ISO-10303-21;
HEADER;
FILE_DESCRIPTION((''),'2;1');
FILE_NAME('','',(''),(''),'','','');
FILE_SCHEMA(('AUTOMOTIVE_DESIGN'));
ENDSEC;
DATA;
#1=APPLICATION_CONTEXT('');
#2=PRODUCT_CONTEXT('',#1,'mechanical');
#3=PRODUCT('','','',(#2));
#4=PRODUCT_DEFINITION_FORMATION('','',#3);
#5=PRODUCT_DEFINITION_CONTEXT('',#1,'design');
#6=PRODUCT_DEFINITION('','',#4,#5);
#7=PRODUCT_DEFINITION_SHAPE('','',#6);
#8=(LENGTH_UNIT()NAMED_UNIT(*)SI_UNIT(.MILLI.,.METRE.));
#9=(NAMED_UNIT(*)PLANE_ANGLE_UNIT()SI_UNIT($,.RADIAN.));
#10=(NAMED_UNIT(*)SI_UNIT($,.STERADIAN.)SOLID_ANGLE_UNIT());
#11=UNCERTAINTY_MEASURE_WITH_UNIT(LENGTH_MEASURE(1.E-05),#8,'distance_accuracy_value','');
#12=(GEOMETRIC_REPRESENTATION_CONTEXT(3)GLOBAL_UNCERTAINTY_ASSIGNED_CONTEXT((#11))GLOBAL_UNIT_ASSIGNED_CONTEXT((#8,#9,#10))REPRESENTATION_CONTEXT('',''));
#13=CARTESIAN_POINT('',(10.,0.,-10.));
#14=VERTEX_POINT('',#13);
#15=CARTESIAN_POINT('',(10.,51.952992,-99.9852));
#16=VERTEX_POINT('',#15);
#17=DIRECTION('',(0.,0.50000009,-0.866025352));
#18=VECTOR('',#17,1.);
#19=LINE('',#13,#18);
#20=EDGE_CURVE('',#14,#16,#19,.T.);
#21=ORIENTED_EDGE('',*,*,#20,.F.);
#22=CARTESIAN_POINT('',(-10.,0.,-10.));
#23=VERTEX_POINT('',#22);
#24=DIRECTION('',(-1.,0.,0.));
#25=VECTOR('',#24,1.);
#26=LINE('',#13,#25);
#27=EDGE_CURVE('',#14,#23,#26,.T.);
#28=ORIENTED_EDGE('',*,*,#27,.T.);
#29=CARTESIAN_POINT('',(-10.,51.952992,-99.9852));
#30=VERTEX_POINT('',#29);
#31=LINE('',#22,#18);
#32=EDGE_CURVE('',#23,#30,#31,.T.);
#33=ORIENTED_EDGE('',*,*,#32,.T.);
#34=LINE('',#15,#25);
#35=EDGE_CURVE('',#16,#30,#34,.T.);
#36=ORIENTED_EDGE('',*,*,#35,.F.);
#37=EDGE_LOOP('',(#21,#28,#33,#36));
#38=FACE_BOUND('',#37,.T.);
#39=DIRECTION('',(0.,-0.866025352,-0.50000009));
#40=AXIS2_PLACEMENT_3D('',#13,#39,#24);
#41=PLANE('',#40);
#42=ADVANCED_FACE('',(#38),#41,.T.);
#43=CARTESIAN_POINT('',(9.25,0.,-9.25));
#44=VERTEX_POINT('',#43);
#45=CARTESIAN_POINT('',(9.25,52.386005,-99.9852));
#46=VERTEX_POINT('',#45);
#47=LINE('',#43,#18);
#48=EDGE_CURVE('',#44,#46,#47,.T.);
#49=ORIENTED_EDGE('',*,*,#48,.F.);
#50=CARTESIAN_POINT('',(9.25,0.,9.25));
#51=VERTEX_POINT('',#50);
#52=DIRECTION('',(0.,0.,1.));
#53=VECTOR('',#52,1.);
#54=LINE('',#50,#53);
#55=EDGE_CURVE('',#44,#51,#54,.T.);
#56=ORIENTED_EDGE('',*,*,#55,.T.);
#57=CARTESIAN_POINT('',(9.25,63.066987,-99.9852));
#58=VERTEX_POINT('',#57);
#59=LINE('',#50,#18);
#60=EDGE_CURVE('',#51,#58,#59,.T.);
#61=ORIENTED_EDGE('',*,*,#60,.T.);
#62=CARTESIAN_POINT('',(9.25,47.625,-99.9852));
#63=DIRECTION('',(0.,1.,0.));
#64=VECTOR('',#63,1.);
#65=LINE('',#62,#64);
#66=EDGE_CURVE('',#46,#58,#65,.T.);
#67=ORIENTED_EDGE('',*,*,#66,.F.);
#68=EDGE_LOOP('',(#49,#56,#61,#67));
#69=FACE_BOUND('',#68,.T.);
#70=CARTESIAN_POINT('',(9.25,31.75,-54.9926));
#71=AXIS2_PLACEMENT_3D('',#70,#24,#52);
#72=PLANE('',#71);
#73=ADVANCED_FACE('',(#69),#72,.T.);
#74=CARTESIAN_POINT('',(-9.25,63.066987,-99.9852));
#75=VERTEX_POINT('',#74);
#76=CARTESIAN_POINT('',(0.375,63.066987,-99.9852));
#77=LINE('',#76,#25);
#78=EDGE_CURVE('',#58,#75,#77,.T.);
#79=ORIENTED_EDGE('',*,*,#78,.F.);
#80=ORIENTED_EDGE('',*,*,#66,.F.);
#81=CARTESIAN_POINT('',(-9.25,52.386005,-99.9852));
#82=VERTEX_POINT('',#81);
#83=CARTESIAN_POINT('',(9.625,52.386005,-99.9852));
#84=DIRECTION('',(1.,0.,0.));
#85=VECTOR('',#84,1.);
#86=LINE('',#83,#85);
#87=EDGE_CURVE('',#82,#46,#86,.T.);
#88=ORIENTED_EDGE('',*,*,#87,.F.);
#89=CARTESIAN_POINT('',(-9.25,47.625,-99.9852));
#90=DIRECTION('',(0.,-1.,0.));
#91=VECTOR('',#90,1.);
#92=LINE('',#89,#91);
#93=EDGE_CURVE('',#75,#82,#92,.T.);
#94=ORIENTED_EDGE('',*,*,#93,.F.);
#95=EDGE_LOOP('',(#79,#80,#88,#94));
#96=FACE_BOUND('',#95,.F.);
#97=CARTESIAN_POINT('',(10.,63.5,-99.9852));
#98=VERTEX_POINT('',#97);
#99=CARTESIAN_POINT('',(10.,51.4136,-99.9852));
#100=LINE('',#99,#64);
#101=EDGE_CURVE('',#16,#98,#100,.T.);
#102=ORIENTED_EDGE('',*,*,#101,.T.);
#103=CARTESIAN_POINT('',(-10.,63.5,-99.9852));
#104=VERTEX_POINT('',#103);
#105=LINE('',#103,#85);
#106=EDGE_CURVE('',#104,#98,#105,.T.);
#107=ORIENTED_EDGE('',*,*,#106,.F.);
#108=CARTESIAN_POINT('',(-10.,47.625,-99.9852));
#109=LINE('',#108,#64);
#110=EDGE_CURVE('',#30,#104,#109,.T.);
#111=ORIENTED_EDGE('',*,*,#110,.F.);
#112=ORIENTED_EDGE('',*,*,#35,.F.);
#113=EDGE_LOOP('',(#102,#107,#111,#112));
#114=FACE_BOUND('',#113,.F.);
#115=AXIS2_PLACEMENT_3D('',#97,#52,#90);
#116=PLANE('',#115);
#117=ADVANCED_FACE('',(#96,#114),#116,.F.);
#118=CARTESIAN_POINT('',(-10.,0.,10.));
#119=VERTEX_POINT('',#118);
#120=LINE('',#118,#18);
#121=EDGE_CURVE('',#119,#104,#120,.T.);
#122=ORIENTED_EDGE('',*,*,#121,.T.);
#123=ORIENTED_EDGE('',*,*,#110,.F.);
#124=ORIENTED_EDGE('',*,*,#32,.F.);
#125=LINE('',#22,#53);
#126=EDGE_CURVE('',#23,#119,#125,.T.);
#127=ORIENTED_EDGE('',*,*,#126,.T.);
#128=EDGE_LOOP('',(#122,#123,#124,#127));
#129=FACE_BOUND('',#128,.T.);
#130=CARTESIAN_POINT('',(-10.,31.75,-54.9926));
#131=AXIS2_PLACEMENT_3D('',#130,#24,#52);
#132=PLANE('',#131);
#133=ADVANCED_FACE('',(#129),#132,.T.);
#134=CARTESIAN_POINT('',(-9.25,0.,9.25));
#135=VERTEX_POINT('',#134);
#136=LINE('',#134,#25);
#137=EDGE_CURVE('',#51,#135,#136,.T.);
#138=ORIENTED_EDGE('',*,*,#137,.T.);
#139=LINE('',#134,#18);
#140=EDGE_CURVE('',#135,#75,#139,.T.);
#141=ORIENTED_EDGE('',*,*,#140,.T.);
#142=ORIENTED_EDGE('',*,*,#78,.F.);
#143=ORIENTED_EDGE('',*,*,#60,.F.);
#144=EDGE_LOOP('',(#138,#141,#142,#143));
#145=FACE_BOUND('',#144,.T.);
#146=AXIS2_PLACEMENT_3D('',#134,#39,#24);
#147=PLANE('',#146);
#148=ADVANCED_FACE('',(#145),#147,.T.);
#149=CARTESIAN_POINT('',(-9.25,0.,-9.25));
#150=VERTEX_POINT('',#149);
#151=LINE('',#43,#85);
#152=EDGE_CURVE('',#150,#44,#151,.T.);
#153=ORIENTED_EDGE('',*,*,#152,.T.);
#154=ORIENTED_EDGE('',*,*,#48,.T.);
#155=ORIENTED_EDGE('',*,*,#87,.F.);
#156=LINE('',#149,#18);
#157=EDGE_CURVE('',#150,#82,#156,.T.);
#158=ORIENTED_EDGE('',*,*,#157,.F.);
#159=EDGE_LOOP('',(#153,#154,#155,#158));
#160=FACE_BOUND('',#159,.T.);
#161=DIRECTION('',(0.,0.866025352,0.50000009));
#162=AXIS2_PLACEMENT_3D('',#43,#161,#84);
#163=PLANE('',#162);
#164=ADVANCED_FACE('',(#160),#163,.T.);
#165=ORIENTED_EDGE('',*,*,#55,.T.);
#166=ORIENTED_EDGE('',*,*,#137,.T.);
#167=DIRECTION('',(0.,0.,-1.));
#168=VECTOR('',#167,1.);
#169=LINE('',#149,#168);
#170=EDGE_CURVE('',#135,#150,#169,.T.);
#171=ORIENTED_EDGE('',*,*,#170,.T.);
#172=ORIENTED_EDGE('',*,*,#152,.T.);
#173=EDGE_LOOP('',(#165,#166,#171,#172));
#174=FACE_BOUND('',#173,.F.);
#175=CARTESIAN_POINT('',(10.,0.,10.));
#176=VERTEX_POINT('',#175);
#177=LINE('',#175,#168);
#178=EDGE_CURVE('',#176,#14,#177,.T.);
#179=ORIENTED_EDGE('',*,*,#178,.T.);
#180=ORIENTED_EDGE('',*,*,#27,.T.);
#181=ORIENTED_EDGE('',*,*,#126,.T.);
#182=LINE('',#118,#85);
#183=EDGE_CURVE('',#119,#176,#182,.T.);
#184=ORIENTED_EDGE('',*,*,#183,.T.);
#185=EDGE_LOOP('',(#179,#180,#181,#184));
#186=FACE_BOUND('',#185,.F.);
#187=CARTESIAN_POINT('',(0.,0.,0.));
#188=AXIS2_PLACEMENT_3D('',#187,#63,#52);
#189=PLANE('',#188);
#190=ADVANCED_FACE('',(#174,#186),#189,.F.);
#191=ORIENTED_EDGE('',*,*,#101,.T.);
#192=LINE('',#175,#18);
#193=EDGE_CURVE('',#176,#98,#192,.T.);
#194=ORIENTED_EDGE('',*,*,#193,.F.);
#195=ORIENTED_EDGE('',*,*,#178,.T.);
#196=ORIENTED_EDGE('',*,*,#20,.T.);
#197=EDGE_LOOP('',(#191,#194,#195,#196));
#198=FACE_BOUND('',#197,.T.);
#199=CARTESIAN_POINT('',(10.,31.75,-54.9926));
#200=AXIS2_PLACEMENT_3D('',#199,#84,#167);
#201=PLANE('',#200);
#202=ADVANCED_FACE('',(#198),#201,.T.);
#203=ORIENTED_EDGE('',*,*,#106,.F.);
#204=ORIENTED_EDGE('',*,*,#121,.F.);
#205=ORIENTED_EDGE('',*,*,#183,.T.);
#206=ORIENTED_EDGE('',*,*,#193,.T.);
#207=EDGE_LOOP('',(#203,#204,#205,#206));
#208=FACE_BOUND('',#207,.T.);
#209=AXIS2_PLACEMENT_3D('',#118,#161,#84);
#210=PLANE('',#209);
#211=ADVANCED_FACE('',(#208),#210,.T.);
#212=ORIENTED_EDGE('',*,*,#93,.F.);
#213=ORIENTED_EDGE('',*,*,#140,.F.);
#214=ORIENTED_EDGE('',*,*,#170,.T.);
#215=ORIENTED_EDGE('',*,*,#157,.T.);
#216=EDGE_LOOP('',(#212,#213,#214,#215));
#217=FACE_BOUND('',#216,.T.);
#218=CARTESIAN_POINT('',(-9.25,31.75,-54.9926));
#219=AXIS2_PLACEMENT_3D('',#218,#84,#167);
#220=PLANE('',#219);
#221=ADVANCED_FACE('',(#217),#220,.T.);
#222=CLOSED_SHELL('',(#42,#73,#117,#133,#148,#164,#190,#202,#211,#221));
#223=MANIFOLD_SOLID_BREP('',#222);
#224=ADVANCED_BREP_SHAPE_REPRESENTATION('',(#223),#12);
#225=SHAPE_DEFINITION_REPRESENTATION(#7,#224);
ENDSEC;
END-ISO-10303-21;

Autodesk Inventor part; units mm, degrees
ref_plane "YZ Plane" through (0, 0, 0) normal (1, 0, 0) x (0, 1, 0)
ref_plane "XZ Plane" through (0, 0, 0) normal (0, 1, 0) x (-1, 0, 0)
ref_plane "XY Plane" through (0, 0, 0) normal (0, 0, 1) x (1, 0, 0)
sketch "Эскиз4" plane through (0, 0, 0) normal (0, 1, 0) x (-1, 0, 0)
  line L0 (-10, -10) -> (10, -10)
  line L1 (10, -10) -> (10, 10)
  line L2 (10, 10) -> (-10, 10)
  line L3 (-10, 10) -> (-10, -10)
  line L4 (-10, -10) -> (10, 10) construction
  line L5 (10, -10) -> (-10, 10) construction
  line L6 (-9.25, -9.25) -> (9.25, -9.25)
  line L7 (9.25, -9.25) -> (9.25, 9.25)
  line L8 (9.25, 9.25) -> (-9.25, 9.25)
  line L9 (-9.25, 9.25) -> (-9.25, -9.25)
  line L10 (-9.25, -9.25) -> (9.25, 9.25) construction
  line L11 (9.25, -9.25) -> (-9.25, 9.25) construction
  point P0 (0, 0)
  dimension "d11" = 20
  dimension "d12" = 20
  dimension "d13" = 18.5
  dimension "d14" = 18.5
sketch "Эскиз5" plane through (0, 0, 0) normal (1, 0, 0) x (0, 1, 0)
  line L0 (0, 0) -> (63.5, -109.9852)
  line L1 (0, 0) -> (127, 0) construction
  dimension "d15" = 127
  dimension "d16" = 60
sweep "Сдвиг1" add profiles "Эскиз4" path "Эскиз5"
sketch "Эскиз6" plane through (10, 0, 10) normal (1, 0, 0) x (0, 0, -1)
  line L0 (109.9852, 63.5) -> (119.9852, 57.7265)
  line L1 (20, 0) -> (129.9852, 63.5) projected
  line L2 (109.9852, 63.5) -> (121.5322, 63.5) construction
  line L3 (119.9852, 57.7265) -> (129.9852, 63.5)
  line L4 (129.9852, 63.5) -> (109.9852, 63.5)
  line L5 (129.2352, 63.5) -> (110.7352, 63.5) projected
  point P0 (10, 0)
  dimension "d19" = 30
extrude "Выдавливание3" cut sketch "Эскиз6" against normal blind 127.0171
sketch "Эскиз7" plane through (10, 0, 10) normal (1, 0, 0) x (0, 0, -1)
  line L0 (0, 0) -> (109.9852, 63.5) projected
  line L1 (109.9852, 63.5) -> (109.9852, 51.953)
  line L2 (20, 0) -> (119.9852, 57.7265) projected
  line L3 (109.9852, 63.5) -> (119.9852, 57.7265)
  line L4 (109.9852, 51.953) -> (109.9852, 51.4136)
  line L5 (109.9852, 51.4136) -> (120.7731, 57.642)
  line L6 (20, 0) -> (119.9852, 57.7265) projected
  line L7 (119.9852, 57.7265) -> (120.7731, 57.2716)
  point P0 (10, 0)
  point P1 (120.4523, 57.4568)
extrude "Выдавливание4" cut sketch "Эскиз7" against normal blind 127.0171
properties part number "КРЫШАДЕТАЛЬXI"
